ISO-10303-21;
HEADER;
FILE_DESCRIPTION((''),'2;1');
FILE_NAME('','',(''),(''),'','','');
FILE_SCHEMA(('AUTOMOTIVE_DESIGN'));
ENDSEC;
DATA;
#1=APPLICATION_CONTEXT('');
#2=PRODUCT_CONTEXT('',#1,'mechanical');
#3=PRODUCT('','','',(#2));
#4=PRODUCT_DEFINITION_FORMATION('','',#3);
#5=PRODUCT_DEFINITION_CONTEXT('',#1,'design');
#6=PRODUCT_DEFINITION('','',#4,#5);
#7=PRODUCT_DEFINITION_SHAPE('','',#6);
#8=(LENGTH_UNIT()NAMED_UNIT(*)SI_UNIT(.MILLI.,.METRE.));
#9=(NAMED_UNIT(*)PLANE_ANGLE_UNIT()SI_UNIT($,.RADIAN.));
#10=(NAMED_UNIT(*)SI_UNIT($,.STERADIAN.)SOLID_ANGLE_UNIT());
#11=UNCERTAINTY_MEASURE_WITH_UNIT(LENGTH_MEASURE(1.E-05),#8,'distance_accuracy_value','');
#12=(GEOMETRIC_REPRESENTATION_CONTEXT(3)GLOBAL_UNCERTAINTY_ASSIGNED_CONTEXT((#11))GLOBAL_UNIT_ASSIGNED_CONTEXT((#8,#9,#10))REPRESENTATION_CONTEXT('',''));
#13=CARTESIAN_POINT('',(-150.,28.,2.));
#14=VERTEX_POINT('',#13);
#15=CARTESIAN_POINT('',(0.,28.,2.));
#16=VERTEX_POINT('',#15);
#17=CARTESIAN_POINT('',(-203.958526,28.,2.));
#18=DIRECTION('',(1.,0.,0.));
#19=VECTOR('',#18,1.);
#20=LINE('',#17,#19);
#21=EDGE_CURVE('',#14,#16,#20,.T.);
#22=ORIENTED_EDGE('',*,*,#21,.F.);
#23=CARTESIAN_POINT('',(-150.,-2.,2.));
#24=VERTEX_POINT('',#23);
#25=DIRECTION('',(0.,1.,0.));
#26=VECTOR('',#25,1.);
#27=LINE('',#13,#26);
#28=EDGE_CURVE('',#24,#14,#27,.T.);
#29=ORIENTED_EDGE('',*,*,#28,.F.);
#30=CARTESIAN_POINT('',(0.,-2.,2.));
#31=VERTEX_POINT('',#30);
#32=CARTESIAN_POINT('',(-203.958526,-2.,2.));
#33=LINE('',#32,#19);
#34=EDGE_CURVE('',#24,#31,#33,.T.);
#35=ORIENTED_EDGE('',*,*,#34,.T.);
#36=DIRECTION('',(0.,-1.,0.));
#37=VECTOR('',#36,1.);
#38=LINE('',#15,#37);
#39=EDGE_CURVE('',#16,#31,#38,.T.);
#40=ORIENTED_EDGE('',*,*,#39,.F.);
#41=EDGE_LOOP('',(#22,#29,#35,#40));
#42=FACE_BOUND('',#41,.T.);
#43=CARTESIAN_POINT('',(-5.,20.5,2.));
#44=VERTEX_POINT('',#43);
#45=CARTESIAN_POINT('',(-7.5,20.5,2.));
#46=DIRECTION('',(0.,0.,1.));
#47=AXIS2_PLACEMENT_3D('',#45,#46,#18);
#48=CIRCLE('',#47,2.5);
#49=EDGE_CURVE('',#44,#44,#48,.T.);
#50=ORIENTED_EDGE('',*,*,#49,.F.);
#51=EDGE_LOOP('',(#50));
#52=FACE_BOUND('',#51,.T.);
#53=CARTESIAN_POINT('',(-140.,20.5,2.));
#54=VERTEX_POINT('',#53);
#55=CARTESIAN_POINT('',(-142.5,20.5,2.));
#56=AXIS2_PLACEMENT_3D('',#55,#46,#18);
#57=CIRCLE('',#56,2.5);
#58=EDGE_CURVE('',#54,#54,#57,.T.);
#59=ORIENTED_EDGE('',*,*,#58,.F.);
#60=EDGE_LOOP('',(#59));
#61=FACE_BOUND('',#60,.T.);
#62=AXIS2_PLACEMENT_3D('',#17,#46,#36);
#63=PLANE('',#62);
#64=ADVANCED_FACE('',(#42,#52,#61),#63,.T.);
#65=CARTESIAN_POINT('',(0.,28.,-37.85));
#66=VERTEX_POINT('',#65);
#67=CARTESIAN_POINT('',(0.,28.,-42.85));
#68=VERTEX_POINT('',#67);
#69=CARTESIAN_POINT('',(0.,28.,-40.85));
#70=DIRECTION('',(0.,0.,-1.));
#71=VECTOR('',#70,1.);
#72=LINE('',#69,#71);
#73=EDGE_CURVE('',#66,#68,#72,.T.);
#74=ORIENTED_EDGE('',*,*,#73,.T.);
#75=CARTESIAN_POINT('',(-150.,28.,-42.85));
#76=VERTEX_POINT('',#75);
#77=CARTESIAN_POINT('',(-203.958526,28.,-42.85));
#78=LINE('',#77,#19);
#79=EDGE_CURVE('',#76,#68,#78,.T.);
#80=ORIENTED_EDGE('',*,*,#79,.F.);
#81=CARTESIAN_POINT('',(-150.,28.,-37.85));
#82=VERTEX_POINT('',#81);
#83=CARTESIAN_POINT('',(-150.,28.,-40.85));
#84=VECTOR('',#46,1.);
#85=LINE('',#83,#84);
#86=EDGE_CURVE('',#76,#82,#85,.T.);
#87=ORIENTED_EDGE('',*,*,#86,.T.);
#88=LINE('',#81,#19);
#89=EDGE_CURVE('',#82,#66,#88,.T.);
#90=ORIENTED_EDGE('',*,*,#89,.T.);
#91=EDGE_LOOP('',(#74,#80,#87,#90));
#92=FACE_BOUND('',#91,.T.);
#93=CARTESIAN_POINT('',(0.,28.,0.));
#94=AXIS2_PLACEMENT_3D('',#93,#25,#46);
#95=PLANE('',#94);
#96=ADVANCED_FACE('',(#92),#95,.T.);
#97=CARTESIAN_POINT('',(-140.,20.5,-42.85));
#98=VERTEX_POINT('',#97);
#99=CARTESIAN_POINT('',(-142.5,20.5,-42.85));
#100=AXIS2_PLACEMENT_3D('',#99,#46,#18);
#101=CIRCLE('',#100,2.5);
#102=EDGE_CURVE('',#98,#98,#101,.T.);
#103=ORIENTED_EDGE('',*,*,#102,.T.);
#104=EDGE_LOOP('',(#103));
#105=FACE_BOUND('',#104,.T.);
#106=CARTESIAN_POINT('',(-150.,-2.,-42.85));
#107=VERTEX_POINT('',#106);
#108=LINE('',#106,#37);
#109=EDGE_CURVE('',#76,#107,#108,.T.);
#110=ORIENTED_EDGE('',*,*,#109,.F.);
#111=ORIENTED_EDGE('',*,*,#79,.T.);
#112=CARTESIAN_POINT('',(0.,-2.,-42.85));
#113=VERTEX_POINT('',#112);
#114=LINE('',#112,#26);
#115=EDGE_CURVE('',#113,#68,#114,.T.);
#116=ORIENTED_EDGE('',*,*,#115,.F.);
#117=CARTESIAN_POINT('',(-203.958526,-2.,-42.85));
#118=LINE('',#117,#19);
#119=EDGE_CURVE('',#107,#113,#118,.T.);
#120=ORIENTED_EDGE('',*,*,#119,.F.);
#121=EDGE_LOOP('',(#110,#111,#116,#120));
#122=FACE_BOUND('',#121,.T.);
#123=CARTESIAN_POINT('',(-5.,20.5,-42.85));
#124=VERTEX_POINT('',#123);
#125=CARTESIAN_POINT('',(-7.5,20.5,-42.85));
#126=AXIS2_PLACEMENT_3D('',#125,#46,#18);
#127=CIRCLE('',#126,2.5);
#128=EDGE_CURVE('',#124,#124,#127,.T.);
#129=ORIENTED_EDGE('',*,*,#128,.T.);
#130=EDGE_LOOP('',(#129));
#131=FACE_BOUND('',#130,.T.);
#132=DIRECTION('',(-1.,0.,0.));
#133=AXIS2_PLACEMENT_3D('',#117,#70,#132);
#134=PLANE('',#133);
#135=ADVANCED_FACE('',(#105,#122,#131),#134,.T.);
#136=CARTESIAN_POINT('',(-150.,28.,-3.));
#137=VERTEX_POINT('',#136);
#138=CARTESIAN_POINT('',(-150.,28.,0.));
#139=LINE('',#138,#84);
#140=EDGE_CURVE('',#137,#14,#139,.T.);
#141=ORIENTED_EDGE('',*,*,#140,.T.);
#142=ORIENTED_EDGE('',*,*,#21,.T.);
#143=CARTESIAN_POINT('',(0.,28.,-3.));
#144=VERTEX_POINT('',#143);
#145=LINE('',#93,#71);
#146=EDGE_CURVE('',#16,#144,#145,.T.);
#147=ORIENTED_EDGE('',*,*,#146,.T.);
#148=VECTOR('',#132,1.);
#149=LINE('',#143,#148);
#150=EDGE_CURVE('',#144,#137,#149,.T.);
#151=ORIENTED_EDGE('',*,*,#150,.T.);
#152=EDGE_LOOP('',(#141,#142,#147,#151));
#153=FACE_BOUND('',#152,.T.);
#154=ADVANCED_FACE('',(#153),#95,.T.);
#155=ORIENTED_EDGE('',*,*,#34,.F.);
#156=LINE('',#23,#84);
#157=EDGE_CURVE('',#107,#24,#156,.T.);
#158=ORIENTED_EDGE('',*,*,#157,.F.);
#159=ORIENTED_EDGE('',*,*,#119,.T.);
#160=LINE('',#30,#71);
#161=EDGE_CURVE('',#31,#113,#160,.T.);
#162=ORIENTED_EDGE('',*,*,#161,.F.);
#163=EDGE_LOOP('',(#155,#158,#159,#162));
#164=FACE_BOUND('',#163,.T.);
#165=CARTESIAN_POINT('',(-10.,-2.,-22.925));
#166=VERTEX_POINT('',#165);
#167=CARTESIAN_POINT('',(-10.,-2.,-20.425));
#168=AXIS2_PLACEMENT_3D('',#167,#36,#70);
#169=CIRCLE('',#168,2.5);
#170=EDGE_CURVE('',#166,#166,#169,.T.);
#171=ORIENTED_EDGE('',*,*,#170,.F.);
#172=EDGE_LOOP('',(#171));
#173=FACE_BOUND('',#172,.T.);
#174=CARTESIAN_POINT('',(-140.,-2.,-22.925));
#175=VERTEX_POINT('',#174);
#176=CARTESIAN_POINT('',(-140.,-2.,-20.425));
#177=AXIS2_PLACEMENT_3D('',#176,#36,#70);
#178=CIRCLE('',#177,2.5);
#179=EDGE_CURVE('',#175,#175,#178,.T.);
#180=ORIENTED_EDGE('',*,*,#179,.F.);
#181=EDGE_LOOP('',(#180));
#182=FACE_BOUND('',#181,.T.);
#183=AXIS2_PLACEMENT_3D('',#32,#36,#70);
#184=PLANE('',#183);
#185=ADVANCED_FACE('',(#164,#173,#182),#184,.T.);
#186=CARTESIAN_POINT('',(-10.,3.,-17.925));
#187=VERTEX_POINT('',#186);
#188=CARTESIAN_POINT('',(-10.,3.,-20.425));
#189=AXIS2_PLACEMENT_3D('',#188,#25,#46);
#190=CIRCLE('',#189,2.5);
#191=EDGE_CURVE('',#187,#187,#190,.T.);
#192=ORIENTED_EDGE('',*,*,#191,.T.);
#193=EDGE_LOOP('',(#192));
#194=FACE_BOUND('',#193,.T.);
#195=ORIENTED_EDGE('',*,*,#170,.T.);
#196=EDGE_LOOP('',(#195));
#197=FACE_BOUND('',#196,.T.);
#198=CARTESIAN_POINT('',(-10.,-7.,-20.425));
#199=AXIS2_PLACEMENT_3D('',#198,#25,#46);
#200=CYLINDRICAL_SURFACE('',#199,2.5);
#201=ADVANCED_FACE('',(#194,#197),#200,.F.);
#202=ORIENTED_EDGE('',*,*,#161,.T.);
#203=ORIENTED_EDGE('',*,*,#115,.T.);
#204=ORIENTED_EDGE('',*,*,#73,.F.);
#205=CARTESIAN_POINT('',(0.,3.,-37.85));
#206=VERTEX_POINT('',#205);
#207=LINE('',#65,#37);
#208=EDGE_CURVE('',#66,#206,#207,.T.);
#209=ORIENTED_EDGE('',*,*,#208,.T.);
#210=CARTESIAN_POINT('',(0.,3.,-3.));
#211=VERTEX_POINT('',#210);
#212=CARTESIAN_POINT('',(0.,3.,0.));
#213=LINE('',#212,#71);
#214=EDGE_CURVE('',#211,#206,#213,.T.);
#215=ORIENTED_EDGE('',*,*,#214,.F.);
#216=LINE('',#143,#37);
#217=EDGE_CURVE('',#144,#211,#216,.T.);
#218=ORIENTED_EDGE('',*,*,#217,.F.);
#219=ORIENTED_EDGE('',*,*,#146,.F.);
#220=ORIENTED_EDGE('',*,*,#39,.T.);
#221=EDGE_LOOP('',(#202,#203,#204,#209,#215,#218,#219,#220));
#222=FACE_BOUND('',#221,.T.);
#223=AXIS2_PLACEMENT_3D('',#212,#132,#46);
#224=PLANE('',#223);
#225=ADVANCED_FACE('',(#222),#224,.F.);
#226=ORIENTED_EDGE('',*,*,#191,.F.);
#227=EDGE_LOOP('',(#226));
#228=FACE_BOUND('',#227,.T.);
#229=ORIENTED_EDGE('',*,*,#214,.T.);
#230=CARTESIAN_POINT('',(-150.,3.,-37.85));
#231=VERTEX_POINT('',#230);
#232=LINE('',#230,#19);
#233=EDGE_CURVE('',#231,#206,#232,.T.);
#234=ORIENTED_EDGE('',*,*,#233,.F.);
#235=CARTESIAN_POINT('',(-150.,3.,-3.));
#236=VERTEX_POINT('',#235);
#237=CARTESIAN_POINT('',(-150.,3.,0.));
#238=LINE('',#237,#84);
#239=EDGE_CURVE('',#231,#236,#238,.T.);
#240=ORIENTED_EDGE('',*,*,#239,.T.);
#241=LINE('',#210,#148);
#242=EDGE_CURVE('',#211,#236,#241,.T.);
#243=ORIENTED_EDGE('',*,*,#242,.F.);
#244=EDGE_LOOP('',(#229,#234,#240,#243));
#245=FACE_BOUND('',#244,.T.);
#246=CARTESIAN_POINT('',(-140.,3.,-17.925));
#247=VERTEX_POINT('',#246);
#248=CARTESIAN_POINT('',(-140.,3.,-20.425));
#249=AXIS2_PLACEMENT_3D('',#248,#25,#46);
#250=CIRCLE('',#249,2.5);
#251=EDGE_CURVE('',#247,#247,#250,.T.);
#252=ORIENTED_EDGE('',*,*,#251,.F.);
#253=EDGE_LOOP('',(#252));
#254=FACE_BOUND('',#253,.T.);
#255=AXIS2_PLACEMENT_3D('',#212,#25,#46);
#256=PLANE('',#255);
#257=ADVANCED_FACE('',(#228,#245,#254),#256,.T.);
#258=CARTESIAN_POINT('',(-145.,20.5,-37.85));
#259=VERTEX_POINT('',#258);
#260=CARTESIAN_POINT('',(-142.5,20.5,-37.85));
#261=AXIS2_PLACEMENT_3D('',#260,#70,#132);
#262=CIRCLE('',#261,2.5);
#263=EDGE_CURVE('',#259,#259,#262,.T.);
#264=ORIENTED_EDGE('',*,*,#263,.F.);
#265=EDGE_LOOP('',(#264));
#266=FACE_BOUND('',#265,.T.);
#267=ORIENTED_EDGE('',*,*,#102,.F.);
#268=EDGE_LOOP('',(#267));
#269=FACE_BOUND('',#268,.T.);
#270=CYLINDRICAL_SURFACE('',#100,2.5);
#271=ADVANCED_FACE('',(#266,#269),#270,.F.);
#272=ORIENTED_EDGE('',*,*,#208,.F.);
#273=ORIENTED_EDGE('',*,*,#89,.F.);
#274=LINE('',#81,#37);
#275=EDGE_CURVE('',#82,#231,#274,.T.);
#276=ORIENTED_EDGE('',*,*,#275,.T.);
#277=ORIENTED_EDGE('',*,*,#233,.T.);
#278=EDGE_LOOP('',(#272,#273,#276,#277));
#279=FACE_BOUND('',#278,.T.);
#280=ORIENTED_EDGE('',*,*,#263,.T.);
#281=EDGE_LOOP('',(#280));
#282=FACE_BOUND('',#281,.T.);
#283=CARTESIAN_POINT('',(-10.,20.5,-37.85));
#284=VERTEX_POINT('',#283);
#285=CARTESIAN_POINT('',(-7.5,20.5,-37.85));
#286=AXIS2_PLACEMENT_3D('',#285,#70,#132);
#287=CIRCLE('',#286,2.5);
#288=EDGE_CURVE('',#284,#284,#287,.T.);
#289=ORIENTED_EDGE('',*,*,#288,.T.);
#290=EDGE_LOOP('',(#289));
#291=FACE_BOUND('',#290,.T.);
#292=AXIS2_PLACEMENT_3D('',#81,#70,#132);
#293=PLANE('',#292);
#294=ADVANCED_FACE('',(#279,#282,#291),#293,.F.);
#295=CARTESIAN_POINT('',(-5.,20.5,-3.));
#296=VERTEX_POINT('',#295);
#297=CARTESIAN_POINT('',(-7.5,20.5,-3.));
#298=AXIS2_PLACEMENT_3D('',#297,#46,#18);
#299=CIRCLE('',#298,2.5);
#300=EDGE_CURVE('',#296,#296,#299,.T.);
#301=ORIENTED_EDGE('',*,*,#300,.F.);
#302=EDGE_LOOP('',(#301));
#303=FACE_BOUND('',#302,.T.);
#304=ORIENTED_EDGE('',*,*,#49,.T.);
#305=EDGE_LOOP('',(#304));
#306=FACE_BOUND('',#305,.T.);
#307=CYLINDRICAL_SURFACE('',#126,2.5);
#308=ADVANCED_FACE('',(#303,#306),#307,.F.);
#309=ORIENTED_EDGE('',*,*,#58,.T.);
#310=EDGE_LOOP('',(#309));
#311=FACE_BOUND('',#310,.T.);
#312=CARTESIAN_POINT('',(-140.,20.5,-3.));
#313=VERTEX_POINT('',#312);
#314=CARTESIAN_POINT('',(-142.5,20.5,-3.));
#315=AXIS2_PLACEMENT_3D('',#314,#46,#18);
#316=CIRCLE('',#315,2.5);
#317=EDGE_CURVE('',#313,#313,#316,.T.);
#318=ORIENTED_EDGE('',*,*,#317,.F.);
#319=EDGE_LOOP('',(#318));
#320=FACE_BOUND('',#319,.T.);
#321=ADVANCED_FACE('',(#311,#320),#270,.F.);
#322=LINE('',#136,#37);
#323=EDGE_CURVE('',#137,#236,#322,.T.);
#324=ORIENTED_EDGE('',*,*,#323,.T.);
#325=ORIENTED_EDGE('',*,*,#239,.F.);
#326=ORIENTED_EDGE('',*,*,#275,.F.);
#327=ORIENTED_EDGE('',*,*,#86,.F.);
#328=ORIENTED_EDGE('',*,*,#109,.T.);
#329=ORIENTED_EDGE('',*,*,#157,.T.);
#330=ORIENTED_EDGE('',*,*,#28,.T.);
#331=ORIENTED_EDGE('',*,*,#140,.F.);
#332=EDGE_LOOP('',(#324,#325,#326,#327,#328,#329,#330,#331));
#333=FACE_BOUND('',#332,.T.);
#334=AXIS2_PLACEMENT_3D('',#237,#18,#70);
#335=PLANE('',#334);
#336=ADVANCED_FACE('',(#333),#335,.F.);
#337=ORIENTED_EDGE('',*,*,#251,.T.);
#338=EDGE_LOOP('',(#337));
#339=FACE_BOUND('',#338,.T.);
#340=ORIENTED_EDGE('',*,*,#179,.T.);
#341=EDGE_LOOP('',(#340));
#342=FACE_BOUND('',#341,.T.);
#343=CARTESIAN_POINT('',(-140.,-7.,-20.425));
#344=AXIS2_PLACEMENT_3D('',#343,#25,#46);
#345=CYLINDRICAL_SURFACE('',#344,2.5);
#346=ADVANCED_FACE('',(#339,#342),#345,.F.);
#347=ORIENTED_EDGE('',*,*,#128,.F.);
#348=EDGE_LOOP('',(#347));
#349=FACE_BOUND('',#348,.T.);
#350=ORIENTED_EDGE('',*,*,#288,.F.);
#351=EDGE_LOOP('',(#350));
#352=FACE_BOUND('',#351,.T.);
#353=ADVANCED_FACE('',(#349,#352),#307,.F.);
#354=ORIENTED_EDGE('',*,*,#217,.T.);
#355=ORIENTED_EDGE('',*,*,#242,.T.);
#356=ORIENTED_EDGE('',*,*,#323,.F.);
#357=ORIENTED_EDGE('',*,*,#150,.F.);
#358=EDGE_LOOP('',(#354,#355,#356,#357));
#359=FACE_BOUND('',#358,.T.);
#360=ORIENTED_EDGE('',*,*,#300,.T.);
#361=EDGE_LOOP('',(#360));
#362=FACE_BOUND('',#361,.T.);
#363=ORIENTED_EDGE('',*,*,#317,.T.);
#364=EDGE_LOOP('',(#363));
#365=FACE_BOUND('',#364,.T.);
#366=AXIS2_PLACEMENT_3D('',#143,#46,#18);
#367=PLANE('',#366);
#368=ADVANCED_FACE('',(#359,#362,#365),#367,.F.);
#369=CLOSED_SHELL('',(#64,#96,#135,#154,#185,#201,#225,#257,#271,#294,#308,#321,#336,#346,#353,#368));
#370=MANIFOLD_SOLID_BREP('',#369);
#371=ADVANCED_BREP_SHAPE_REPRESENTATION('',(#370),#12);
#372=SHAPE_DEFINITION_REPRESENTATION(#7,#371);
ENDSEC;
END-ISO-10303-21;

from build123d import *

# Parameters (mm, degrees)
SKETCH1_W           = 150
SKETCH1_H           = 40.85
BOSS_EXTRUDE1_DEPTH = 3
SKETCH2_W           = 150
SKETCH2_H           = 3
BOSS_EXTRUDE2_DEPTH = 25
BOSS_EXTRUDE3_DEPTH = 150
SKETCH6_R           = 2.5
CUT_EXTRUDE2_DEPTH  = 10
SKETCH7_R           = 2.5
CUT_EXTRUDE3_DEPTH  = 160.045661682


with BuildPart() as part:
    # Sketch1 → Boss-Extrude1 (new body)
    with BuildSketch(Plane(origin=(0, 0, 0), x_dir=(1, 0, 0), z_dir=(0, 1, 0))):
        with Locations((-75, 20.425)):
            Rectangle(SKETCH1_W, SKETCH1_H)
    extrude(amount=BOSS_EXTRUDE1_DEPTH)

    # Sketch2 → Boss-Extrude2 (add)
    with BuildSketch(Plane(origin=(0, 3, 0), x_dir=(1, 0, 0), z_dir=(0, 1, 0))):
        with Locations((-75, 39.35)):
            Rectangle(SKETCH2_W, SKETCH2_H)
        with Locations((-75, 1.5)):
            Rectangle(SKETCH2_W, SKETCH2_H)
    extrude(amount=BOSS_EXTRUDE2_DEPTH)

    # Sketch5 → Boss-Extrude3 (add)
    with BuildSketch(Plane(origin=(0, 0, 0), x_dir=(0, 0, -1), z_dir=(1, 0, 0))):
        Polygon((3, 28), (-2, 28), (-2, -2), (42.85, -2), (42.85, 28), (37.85, 28), (37.85, 3), (3, 3), align=None)
    extrude(amount=-BOSS_EXTRUDE3_DEPTH)

    # Sketch6 → Cut-Extrude2 (cut)
    with BuildSketch(Plane(origin=(0, 3, 0), x_dir=(1, 0, 0), z_dir=(0, 1, 0))):
        with Locations(Location((-140, 20.425, 0), (0, 0, 270))):
            Circle(SKETCH6_R)
        with Locations(Location((-10, 20.425, 0), (0, 0, 270))):
            Circle(SKETCH6_R)
    extrude(amount=-CUT_EXTRUDE2_DEPTH, mode=Mode.SUBTRACT)

    # Sketch7 → Cut-Extrude3 (cut, through all)
    with BuildSketch(Plane.XY.offset(2)):
        with Locations((-142.5, 20.5)):
            Circle(SKETCH7_R)
        with Locations((-7.5, 20.5)):
            Circle(SKETCH7_R)
    extrude(amount=-CUT_EXTRUDE3_DEPTH, mode=Mode.SUBTRACT)


solid = part.part
